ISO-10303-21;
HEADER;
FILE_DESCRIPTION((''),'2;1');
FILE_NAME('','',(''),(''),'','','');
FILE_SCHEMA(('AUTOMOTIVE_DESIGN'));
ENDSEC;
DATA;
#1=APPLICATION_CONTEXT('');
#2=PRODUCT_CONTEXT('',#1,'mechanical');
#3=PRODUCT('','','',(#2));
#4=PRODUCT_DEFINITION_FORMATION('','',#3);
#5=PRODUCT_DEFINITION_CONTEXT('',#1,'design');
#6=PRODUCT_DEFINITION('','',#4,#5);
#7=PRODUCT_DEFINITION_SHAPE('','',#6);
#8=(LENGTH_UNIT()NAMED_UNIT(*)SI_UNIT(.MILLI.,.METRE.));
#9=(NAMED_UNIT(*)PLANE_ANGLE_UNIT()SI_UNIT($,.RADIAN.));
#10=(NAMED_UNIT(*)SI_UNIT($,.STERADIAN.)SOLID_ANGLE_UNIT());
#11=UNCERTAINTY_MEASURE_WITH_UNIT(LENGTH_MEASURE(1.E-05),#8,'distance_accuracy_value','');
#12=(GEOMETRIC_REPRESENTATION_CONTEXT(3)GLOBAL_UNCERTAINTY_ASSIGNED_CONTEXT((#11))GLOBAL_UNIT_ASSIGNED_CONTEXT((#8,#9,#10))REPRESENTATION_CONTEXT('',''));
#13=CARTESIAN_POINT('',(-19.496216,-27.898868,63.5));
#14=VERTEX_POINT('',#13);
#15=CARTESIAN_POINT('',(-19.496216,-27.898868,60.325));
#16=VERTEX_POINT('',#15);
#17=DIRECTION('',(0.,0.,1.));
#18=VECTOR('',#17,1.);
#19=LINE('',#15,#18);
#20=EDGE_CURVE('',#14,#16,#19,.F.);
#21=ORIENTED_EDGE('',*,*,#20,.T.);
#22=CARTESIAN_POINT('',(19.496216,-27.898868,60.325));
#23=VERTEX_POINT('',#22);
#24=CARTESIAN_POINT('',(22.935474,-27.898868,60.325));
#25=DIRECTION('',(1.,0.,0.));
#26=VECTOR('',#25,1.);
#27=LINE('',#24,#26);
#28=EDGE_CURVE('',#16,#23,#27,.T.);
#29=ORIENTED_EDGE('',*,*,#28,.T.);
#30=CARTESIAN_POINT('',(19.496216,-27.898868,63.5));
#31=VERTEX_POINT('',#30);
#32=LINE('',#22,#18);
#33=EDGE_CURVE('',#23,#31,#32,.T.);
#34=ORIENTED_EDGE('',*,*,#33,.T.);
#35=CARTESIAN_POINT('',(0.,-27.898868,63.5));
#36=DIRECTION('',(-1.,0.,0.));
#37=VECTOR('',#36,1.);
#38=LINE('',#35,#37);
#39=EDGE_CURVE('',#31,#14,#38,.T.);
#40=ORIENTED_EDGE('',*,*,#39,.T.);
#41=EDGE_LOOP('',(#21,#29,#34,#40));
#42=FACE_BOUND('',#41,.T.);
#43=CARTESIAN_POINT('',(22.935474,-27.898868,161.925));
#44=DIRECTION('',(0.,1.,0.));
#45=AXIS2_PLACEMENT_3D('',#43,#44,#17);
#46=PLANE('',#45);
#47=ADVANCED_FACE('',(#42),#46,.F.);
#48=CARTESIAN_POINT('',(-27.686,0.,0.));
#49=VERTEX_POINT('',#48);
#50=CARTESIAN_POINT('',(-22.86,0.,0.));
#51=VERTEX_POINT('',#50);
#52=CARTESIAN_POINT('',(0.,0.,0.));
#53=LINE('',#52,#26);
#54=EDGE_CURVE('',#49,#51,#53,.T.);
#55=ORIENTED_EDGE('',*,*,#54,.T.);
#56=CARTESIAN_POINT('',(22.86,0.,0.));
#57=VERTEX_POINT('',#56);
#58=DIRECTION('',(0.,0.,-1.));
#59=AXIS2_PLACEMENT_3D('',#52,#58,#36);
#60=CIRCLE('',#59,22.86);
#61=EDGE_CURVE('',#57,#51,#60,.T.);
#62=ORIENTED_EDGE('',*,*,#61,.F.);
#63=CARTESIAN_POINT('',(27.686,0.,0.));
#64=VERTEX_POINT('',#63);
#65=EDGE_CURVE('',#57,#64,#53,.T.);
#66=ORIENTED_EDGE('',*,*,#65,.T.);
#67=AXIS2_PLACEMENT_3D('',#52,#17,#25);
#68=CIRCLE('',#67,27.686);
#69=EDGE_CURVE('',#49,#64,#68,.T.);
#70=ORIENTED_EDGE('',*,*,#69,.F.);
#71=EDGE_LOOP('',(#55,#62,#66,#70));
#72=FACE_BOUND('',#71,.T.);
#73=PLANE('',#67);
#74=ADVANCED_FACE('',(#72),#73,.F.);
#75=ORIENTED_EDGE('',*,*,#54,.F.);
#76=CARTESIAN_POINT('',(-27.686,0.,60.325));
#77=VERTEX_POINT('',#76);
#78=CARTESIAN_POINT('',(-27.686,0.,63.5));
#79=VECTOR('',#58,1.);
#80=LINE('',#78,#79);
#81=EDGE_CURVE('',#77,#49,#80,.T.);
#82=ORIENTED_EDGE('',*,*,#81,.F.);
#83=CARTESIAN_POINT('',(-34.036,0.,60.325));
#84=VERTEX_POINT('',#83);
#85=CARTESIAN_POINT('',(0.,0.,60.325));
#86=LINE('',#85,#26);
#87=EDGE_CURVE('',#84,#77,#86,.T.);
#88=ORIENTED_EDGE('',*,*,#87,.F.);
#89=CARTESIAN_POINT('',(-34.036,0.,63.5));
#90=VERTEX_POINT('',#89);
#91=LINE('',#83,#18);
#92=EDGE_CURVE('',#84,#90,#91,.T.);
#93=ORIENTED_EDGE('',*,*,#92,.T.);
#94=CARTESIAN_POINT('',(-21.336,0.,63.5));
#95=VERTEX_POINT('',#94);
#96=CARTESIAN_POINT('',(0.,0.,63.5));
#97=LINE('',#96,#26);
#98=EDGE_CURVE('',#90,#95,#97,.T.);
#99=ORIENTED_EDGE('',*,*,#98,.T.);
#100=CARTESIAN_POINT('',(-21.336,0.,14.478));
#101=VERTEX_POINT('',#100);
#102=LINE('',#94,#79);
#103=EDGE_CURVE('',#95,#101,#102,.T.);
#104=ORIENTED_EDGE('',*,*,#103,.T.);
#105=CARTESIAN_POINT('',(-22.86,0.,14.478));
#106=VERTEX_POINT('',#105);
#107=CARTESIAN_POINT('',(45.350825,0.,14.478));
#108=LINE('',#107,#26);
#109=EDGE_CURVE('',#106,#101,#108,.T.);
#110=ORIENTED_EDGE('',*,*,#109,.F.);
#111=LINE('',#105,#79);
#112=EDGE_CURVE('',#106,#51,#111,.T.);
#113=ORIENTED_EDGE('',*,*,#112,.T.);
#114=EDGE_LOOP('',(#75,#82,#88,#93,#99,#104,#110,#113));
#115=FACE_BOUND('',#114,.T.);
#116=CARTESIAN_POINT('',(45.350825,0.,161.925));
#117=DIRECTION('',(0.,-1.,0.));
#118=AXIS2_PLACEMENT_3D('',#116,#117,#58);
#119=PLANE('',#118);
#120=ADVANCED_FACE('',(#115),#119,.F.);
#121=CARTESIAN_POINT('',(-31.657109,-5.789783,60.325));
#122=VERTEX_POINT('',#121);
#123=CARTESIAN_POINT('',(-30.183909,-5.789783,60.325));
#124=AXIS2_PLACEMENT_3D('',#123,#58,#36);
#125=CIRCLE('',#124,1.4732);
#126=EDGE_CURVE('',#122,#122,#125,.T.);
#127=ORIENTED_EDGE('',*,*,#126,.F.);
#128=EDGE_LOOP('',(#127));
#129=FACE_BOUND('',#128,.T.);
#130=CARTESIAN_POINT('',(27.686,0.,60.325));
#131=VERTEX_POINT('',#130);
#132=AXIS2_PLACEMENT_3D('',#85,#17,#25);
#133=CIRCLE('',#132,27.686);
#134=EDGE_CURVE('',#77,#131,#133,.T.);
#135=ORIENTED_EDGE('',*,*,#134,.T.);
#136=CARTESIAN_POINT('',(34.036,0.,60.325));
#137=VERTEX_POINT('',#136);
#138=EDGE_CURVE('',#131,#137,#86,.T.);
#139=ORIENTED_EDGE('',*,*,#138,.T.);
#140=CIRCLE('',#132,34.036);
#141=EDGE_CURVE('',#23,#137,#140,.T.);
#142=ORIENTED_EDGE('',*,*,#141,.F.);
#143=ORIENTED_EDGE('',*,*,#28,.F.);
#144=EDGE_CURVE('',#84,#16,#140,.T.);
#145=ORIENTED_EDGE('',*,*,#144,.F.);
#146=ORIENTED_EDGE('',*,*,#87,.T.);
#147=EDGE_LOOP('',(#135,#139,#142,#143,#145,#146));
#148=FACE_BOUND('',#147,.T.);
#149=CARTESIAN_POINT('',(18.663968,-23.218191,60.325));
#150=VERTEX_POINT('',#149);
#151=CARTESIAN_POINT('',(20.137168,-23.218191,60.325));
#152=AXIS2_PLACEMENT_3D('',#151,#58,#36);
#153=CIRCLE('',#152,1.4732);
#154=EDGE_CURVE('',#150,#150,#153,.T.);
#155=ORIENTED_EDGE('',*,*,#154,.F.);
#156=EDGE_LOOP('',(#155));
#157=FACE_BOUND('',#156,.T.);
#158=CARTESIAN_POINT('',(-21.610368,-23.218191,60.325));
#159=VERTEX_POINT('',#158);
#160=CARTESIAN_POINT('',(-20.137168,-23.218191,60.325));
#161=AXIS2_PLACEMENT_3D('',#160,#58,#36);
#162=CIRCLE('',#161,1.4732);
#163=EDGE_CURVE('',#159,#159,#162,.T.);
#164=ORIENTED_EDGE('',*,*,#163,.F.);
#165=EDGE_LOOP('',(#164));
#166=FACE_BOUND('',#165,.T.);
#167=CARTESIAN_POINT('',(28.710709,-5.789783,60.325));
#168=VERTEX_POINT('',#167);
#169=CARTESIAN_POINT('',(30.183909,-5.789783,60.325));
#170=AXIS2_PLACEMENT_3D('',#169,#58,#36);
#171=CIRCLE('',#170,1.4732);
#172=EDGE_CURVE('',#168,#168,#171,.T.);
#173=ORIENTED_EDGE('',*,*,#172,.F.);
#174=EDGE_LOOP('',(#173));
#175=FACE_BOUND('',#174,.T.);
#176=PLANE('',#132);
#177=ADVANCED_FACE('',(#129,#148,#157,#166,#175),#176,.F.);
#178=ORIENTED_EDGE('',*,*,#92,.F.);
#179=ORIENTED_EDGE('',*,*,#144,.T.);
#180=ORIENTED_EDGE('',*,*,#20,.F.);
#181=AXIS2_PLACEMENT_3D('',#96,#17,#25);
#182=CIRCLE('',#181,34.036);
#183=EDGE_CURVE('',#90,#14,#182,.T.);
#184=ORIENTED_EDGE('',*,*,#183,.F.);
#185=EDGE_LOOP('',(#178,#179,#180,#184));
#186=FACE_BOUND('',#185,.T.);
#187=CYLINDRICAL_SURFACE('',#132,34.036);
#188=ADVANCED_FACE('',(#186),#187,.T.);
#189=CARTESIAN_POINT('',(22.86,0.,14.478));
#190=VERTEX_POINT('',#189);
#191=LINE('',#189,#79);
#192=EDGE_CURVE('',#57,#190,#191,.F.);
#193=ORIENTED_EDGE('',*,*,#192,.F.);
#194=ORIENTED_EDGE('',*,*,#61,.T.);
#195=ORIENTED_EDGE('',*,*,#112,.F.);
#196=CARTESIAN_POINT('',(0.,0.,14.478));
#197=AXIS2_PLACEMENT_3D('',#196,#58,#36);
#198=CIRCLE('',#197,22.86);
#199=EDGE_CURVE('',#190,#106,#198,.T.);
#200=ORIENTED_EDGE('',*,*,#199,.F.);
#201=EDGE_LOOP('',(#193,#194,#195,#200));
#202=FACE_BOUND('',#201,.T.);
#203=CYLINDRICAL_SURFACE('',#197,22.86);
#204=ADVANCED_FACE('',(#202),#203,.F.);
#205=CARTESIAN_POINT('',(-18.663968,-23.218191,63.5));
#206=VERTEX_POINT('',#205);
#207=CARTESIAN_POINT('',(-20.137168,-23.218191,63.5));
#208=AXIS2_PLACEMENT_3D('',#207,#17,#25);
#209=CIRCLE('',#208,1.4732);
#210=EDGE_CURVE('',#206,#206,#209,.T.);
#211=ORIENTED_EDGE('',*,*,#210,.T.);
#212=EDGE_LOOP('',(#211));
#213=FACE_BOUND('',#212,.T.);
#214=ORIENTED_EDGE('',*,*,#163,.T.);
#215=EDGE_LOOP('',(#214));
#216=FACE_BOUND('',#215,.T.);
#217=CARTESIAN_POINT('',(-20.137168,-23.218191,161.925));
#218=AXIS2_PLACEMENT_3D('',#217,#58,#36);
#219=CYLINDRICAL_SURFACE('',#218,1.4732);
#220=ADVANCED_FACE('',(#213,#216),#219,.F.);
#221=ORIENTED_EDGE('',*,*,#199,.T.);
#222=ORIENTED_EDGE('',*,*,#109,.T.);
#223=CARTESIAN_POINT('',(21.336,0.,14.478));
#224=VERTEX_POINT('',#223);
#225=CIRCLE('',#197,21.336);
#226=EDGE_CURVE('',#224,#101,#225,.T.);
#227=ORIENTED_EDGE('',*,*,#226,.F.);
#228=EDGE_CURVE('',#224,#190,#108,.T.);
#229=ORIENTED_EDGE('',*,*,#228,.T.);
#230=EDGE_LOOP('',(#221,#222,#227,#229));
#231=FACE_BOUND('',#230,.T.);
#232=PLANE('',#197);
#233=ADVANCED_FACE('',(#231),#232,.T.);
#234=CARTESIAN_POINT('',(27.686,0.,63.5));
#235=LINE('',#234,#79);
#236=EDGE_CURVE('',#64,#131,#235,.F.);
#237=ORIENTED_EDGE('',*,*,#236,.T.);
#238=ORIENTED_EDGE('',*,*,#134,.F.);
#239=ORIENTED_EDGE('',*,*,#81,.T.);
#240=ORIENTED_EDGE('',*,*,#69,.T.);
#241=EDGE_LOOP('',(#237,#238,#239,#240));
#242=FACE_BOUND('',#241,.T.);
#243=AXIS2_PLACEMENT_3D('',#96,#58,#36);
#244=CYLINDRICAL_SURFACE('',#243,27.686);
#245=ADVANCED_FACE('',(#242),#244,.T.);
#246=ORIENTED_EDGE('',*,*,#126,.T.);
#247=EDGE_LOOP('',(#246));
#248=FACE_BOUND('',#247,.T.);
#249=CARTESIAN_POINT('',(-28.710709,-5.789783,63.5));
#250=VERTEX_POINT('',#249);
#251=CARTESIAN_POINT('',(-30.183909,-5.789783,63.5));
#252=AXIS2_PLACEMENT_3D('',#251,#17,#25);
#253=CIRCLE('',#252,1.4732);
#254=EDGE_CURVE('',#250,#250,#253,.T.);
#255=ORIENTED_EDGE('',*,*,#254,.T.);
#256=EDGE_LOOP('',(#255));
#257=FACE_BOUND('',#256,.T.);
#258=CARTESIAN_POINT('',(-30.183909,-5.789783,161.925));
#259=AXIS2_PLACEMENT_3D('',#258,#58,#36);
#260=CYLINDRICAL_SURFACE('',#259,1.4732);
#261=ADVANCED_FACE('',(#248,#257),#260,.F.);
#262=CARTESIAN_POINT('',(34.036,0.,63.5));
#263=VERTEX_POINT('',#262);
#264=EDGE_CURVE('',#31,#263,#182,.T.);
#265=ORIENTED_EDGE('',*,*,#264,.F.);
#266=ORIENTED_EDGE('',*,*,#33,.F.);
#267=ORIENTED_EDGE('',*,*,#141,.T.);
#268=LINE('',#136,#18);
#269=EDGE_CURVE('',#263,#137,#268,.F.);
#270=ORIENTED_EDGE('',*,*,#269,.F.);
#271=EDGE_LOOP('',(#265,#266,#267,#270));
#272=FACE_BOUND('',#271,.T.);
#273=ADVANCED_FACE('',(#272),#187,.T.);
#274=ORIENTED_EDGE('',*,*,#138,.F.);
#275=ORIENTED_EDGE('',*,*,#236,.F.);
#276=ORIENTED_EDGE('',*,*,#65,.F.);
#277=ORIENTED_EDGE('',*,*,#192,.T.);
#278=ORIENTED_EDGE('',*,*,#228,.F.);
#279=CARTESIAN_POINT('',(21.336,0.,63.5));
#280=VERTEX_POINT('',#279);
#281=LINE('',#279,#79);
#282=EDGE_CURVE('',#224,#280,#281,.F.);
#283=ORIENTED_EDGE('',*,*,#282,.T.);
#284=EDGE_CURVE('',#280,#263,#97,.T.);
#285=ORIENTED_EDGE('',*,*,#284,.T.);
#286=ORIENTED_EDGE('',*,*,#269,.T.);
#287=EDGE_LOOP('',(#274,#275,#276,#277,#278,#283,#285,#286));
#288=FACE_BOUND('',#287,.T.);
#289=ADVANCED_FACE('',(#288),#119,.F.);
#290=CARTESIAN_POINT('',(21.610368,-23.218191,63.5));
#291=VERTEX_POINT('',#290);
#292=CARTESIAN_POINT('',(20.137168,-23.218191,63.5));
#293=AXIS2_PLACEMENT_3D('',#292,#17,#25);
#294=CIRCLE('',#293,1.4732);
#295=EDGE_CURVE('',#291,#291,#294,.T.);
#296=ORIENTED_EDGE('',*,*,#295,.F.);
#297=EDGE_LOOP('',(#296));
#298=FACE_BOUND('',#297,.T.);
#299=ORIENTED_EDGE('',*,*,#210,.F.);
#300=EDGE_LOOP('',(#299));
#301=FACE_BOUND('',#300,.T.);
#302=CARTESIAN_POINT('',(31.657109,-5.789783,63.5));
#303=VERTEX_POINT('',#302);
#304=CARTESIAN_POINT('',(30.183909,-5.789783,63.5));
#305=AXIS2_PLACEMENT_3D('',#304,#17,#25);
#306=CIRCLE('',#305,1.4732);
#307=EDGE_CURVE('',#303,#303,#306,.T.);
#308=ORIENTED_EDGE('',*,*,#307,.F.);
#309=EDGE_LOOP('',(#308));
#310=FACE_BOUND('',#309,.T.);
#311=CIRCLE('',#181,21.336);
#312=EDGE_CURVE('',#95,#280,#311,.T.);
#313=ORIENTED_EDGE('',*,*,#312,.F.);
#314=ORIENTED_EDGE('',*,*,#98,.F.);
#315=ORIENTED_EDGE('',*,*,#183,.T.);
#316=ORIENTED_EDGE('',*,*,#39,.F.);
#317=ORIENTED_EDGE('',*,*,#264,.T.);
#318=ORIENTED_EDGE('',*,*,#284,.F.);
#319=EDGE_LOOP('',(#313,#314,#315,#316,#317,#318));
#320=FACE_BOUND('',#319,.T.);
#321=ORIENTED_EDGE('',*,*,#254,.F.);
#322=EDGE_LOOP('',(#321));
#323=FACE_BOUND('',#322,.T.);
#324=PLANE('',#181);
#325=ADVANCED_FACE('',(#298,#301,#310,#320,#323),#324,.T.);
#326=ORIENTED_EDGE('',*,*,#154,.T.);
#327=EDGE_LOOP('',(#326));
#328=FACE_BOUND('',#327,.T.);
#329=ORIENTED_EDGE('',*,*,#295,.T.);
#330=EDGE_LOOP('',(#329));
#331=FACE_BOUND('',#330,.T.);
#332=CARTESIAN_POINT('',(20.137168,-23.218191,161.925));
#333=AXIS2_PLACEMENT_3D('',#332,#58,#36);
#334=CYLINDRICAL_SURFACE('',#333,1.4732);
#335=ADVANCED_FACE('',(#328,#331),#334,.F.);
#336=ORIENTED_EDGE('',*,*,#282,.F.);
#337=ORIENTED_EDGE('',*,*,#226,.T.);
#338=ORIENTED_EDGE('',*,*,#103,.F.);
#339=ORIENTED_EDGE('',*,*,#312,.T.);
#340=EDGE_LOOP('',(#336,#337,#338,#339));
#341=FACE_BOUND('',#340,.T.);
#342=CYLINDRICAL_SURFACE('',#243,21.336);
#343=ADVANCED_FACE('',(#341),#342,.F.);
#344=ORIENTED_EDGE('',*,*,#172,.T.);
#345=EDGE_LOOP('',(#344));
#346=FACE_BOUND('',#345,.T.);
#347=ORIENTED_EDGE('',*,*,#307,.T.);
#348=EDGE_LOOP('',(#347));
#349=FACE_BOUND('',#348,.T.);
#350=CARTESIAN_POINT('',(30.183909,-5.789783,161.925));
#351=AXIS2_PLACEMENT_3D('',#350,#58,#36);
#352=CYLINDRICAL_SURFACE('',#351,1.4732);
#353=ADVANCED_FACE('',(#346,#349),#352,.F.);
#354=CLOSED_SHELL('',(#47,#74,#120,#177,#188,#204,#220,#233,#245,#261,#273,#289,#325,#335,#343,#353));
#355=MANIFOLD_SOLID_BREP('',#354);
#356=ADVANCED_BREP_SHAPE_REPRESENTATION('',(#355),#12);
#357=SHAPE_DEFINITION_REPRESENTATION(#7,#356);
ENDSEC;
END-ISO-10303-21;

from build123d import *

# Parameters (mm, degrees)
SKETCH1_R               = 27.686
SKETCH1_R_2             = 21.336
BOSS_EXTRUDE1_DEPTH     = 63.5
BOSS_EXTRUDE2_START     = -3.175
SKETCH2_R               = 34.036
SKETCH2_R_2             = 27.686
BOSS_EXTRUDE2_DEPTH     = 3.175
CUT_EXTRUDE1_DEPTH      = 101.6
CUT_EXTRUDE1_DEPTH_BACK = 101.6
SKETCH3_W               = 97.716171251
SKETCH3_H               = 43.59719505
SKETCH4_R               = 1.4732
CUT_EXTRUDE2_DEPTH      = 101.6
SKETCH5_W               = 45.490276776
SKETCH5_H               = 8.374778988
CUT_EXTRUDE3_DEPTH      = 101.6
SKETCH6_R               = 22.86
CUT_EXTRUDE4_DEPTH      = 14.478


with BuildPart() as part:
    # Sketch1 → Boss-Extrude1 (new body)
    with BuildSketch(Plane.XY):
        Circle(SKETCH1_R)
        Circle(SKETCH1_R_2, mode=Mode.SUBTRACT)
    extrude(amount=BOSS_EXTRUDE1_DEPTH)

    # Sketch2 → Boss-Extrude2 (add)
    with BuildSketch(Plane.XY.offset(63.5).offset(BOSS_EXTRUDE2_START)):
        Circle(SKETCH2_R)
        Circle(SKETCH2_R_2, mode=Mode.SUBTRACT)
    extrude(amount=BOSS_EXTRUDE2_DEPTH)

    # Sketch3 → Cut-Extrude1 (cut, two sides: drawn at the far end of the back side and taken through both)
    with BuildSketch(Plane(origin=(0, 0, 60.325), x_dir=(-1, 0, 0), z_dir=(0, 0, -1)).offset(-CUT_EXTRUDE1_DEPTH_BACK)):
        with Locations((3.507260384, 21.798597525)):
            Rectangle(SKETCH3_W, SKETCH3_H)
    extrude(amount=CUT_EXTRUDE1_DEPTH + CUT_EXTRUDE1_DEPTH_BACK, mode=Mode.SUBTRACT)

    # Sketch4 → Cut-Extrude2 (cut)
    with BuildSketch(Plane(origin=(0, 0, 60.325), x_dir=(-1, 0, 0), z_dir=(0, 0, -1))):
        with Locations((-30.183908954, -5.789782512)):
            Circle(SKETCH4_R)
        with Locations((30.183908954, -5.789782512)):
            Circle(SKETCH4_R)
        with Locations((-20.137167932, -23.218191337)):
            Circle(SKETCH4_R)
        with Locations((20.137167932, -23.218191337)):
            Circle(SKETCH4_R)
        with Locations((0, -30.734181969)):
            Circle(SKETCH4_R)
    extrude(amount=-CUT_EXTRUDE2_DEPTH, mode=Mode.SUBTRACT)

    # Sketch5 → Cut-Extrude3 (cut)
    with BuildSketch(Plane(origin=(0, 0, 60.325), x_dir=(-1, 0, 0), z_dir=(0, 0, -1))):
        with Locations((-0.190335886, -32.086257649)):
            Rectangle(SKETCH5_W, SKETCH5_H)
    extrude(amount=-CUT_EXTRUDE3_DEPTH, mode=Mode.SUBTRACT)

    # Sketch6 → Cut-Extrude4 (cut)
    with BuildSketch(Plane(origin=(0, 0, 0), x_dir=(-1, 0, 0), z_dir=(0, 0, -1))):
        Circle(SKETCH6_R)
    extrude(amount=-CUT_EXTRUDE4_DEPTH, mode=Mode.SUBTRACT)


solid = part.part
